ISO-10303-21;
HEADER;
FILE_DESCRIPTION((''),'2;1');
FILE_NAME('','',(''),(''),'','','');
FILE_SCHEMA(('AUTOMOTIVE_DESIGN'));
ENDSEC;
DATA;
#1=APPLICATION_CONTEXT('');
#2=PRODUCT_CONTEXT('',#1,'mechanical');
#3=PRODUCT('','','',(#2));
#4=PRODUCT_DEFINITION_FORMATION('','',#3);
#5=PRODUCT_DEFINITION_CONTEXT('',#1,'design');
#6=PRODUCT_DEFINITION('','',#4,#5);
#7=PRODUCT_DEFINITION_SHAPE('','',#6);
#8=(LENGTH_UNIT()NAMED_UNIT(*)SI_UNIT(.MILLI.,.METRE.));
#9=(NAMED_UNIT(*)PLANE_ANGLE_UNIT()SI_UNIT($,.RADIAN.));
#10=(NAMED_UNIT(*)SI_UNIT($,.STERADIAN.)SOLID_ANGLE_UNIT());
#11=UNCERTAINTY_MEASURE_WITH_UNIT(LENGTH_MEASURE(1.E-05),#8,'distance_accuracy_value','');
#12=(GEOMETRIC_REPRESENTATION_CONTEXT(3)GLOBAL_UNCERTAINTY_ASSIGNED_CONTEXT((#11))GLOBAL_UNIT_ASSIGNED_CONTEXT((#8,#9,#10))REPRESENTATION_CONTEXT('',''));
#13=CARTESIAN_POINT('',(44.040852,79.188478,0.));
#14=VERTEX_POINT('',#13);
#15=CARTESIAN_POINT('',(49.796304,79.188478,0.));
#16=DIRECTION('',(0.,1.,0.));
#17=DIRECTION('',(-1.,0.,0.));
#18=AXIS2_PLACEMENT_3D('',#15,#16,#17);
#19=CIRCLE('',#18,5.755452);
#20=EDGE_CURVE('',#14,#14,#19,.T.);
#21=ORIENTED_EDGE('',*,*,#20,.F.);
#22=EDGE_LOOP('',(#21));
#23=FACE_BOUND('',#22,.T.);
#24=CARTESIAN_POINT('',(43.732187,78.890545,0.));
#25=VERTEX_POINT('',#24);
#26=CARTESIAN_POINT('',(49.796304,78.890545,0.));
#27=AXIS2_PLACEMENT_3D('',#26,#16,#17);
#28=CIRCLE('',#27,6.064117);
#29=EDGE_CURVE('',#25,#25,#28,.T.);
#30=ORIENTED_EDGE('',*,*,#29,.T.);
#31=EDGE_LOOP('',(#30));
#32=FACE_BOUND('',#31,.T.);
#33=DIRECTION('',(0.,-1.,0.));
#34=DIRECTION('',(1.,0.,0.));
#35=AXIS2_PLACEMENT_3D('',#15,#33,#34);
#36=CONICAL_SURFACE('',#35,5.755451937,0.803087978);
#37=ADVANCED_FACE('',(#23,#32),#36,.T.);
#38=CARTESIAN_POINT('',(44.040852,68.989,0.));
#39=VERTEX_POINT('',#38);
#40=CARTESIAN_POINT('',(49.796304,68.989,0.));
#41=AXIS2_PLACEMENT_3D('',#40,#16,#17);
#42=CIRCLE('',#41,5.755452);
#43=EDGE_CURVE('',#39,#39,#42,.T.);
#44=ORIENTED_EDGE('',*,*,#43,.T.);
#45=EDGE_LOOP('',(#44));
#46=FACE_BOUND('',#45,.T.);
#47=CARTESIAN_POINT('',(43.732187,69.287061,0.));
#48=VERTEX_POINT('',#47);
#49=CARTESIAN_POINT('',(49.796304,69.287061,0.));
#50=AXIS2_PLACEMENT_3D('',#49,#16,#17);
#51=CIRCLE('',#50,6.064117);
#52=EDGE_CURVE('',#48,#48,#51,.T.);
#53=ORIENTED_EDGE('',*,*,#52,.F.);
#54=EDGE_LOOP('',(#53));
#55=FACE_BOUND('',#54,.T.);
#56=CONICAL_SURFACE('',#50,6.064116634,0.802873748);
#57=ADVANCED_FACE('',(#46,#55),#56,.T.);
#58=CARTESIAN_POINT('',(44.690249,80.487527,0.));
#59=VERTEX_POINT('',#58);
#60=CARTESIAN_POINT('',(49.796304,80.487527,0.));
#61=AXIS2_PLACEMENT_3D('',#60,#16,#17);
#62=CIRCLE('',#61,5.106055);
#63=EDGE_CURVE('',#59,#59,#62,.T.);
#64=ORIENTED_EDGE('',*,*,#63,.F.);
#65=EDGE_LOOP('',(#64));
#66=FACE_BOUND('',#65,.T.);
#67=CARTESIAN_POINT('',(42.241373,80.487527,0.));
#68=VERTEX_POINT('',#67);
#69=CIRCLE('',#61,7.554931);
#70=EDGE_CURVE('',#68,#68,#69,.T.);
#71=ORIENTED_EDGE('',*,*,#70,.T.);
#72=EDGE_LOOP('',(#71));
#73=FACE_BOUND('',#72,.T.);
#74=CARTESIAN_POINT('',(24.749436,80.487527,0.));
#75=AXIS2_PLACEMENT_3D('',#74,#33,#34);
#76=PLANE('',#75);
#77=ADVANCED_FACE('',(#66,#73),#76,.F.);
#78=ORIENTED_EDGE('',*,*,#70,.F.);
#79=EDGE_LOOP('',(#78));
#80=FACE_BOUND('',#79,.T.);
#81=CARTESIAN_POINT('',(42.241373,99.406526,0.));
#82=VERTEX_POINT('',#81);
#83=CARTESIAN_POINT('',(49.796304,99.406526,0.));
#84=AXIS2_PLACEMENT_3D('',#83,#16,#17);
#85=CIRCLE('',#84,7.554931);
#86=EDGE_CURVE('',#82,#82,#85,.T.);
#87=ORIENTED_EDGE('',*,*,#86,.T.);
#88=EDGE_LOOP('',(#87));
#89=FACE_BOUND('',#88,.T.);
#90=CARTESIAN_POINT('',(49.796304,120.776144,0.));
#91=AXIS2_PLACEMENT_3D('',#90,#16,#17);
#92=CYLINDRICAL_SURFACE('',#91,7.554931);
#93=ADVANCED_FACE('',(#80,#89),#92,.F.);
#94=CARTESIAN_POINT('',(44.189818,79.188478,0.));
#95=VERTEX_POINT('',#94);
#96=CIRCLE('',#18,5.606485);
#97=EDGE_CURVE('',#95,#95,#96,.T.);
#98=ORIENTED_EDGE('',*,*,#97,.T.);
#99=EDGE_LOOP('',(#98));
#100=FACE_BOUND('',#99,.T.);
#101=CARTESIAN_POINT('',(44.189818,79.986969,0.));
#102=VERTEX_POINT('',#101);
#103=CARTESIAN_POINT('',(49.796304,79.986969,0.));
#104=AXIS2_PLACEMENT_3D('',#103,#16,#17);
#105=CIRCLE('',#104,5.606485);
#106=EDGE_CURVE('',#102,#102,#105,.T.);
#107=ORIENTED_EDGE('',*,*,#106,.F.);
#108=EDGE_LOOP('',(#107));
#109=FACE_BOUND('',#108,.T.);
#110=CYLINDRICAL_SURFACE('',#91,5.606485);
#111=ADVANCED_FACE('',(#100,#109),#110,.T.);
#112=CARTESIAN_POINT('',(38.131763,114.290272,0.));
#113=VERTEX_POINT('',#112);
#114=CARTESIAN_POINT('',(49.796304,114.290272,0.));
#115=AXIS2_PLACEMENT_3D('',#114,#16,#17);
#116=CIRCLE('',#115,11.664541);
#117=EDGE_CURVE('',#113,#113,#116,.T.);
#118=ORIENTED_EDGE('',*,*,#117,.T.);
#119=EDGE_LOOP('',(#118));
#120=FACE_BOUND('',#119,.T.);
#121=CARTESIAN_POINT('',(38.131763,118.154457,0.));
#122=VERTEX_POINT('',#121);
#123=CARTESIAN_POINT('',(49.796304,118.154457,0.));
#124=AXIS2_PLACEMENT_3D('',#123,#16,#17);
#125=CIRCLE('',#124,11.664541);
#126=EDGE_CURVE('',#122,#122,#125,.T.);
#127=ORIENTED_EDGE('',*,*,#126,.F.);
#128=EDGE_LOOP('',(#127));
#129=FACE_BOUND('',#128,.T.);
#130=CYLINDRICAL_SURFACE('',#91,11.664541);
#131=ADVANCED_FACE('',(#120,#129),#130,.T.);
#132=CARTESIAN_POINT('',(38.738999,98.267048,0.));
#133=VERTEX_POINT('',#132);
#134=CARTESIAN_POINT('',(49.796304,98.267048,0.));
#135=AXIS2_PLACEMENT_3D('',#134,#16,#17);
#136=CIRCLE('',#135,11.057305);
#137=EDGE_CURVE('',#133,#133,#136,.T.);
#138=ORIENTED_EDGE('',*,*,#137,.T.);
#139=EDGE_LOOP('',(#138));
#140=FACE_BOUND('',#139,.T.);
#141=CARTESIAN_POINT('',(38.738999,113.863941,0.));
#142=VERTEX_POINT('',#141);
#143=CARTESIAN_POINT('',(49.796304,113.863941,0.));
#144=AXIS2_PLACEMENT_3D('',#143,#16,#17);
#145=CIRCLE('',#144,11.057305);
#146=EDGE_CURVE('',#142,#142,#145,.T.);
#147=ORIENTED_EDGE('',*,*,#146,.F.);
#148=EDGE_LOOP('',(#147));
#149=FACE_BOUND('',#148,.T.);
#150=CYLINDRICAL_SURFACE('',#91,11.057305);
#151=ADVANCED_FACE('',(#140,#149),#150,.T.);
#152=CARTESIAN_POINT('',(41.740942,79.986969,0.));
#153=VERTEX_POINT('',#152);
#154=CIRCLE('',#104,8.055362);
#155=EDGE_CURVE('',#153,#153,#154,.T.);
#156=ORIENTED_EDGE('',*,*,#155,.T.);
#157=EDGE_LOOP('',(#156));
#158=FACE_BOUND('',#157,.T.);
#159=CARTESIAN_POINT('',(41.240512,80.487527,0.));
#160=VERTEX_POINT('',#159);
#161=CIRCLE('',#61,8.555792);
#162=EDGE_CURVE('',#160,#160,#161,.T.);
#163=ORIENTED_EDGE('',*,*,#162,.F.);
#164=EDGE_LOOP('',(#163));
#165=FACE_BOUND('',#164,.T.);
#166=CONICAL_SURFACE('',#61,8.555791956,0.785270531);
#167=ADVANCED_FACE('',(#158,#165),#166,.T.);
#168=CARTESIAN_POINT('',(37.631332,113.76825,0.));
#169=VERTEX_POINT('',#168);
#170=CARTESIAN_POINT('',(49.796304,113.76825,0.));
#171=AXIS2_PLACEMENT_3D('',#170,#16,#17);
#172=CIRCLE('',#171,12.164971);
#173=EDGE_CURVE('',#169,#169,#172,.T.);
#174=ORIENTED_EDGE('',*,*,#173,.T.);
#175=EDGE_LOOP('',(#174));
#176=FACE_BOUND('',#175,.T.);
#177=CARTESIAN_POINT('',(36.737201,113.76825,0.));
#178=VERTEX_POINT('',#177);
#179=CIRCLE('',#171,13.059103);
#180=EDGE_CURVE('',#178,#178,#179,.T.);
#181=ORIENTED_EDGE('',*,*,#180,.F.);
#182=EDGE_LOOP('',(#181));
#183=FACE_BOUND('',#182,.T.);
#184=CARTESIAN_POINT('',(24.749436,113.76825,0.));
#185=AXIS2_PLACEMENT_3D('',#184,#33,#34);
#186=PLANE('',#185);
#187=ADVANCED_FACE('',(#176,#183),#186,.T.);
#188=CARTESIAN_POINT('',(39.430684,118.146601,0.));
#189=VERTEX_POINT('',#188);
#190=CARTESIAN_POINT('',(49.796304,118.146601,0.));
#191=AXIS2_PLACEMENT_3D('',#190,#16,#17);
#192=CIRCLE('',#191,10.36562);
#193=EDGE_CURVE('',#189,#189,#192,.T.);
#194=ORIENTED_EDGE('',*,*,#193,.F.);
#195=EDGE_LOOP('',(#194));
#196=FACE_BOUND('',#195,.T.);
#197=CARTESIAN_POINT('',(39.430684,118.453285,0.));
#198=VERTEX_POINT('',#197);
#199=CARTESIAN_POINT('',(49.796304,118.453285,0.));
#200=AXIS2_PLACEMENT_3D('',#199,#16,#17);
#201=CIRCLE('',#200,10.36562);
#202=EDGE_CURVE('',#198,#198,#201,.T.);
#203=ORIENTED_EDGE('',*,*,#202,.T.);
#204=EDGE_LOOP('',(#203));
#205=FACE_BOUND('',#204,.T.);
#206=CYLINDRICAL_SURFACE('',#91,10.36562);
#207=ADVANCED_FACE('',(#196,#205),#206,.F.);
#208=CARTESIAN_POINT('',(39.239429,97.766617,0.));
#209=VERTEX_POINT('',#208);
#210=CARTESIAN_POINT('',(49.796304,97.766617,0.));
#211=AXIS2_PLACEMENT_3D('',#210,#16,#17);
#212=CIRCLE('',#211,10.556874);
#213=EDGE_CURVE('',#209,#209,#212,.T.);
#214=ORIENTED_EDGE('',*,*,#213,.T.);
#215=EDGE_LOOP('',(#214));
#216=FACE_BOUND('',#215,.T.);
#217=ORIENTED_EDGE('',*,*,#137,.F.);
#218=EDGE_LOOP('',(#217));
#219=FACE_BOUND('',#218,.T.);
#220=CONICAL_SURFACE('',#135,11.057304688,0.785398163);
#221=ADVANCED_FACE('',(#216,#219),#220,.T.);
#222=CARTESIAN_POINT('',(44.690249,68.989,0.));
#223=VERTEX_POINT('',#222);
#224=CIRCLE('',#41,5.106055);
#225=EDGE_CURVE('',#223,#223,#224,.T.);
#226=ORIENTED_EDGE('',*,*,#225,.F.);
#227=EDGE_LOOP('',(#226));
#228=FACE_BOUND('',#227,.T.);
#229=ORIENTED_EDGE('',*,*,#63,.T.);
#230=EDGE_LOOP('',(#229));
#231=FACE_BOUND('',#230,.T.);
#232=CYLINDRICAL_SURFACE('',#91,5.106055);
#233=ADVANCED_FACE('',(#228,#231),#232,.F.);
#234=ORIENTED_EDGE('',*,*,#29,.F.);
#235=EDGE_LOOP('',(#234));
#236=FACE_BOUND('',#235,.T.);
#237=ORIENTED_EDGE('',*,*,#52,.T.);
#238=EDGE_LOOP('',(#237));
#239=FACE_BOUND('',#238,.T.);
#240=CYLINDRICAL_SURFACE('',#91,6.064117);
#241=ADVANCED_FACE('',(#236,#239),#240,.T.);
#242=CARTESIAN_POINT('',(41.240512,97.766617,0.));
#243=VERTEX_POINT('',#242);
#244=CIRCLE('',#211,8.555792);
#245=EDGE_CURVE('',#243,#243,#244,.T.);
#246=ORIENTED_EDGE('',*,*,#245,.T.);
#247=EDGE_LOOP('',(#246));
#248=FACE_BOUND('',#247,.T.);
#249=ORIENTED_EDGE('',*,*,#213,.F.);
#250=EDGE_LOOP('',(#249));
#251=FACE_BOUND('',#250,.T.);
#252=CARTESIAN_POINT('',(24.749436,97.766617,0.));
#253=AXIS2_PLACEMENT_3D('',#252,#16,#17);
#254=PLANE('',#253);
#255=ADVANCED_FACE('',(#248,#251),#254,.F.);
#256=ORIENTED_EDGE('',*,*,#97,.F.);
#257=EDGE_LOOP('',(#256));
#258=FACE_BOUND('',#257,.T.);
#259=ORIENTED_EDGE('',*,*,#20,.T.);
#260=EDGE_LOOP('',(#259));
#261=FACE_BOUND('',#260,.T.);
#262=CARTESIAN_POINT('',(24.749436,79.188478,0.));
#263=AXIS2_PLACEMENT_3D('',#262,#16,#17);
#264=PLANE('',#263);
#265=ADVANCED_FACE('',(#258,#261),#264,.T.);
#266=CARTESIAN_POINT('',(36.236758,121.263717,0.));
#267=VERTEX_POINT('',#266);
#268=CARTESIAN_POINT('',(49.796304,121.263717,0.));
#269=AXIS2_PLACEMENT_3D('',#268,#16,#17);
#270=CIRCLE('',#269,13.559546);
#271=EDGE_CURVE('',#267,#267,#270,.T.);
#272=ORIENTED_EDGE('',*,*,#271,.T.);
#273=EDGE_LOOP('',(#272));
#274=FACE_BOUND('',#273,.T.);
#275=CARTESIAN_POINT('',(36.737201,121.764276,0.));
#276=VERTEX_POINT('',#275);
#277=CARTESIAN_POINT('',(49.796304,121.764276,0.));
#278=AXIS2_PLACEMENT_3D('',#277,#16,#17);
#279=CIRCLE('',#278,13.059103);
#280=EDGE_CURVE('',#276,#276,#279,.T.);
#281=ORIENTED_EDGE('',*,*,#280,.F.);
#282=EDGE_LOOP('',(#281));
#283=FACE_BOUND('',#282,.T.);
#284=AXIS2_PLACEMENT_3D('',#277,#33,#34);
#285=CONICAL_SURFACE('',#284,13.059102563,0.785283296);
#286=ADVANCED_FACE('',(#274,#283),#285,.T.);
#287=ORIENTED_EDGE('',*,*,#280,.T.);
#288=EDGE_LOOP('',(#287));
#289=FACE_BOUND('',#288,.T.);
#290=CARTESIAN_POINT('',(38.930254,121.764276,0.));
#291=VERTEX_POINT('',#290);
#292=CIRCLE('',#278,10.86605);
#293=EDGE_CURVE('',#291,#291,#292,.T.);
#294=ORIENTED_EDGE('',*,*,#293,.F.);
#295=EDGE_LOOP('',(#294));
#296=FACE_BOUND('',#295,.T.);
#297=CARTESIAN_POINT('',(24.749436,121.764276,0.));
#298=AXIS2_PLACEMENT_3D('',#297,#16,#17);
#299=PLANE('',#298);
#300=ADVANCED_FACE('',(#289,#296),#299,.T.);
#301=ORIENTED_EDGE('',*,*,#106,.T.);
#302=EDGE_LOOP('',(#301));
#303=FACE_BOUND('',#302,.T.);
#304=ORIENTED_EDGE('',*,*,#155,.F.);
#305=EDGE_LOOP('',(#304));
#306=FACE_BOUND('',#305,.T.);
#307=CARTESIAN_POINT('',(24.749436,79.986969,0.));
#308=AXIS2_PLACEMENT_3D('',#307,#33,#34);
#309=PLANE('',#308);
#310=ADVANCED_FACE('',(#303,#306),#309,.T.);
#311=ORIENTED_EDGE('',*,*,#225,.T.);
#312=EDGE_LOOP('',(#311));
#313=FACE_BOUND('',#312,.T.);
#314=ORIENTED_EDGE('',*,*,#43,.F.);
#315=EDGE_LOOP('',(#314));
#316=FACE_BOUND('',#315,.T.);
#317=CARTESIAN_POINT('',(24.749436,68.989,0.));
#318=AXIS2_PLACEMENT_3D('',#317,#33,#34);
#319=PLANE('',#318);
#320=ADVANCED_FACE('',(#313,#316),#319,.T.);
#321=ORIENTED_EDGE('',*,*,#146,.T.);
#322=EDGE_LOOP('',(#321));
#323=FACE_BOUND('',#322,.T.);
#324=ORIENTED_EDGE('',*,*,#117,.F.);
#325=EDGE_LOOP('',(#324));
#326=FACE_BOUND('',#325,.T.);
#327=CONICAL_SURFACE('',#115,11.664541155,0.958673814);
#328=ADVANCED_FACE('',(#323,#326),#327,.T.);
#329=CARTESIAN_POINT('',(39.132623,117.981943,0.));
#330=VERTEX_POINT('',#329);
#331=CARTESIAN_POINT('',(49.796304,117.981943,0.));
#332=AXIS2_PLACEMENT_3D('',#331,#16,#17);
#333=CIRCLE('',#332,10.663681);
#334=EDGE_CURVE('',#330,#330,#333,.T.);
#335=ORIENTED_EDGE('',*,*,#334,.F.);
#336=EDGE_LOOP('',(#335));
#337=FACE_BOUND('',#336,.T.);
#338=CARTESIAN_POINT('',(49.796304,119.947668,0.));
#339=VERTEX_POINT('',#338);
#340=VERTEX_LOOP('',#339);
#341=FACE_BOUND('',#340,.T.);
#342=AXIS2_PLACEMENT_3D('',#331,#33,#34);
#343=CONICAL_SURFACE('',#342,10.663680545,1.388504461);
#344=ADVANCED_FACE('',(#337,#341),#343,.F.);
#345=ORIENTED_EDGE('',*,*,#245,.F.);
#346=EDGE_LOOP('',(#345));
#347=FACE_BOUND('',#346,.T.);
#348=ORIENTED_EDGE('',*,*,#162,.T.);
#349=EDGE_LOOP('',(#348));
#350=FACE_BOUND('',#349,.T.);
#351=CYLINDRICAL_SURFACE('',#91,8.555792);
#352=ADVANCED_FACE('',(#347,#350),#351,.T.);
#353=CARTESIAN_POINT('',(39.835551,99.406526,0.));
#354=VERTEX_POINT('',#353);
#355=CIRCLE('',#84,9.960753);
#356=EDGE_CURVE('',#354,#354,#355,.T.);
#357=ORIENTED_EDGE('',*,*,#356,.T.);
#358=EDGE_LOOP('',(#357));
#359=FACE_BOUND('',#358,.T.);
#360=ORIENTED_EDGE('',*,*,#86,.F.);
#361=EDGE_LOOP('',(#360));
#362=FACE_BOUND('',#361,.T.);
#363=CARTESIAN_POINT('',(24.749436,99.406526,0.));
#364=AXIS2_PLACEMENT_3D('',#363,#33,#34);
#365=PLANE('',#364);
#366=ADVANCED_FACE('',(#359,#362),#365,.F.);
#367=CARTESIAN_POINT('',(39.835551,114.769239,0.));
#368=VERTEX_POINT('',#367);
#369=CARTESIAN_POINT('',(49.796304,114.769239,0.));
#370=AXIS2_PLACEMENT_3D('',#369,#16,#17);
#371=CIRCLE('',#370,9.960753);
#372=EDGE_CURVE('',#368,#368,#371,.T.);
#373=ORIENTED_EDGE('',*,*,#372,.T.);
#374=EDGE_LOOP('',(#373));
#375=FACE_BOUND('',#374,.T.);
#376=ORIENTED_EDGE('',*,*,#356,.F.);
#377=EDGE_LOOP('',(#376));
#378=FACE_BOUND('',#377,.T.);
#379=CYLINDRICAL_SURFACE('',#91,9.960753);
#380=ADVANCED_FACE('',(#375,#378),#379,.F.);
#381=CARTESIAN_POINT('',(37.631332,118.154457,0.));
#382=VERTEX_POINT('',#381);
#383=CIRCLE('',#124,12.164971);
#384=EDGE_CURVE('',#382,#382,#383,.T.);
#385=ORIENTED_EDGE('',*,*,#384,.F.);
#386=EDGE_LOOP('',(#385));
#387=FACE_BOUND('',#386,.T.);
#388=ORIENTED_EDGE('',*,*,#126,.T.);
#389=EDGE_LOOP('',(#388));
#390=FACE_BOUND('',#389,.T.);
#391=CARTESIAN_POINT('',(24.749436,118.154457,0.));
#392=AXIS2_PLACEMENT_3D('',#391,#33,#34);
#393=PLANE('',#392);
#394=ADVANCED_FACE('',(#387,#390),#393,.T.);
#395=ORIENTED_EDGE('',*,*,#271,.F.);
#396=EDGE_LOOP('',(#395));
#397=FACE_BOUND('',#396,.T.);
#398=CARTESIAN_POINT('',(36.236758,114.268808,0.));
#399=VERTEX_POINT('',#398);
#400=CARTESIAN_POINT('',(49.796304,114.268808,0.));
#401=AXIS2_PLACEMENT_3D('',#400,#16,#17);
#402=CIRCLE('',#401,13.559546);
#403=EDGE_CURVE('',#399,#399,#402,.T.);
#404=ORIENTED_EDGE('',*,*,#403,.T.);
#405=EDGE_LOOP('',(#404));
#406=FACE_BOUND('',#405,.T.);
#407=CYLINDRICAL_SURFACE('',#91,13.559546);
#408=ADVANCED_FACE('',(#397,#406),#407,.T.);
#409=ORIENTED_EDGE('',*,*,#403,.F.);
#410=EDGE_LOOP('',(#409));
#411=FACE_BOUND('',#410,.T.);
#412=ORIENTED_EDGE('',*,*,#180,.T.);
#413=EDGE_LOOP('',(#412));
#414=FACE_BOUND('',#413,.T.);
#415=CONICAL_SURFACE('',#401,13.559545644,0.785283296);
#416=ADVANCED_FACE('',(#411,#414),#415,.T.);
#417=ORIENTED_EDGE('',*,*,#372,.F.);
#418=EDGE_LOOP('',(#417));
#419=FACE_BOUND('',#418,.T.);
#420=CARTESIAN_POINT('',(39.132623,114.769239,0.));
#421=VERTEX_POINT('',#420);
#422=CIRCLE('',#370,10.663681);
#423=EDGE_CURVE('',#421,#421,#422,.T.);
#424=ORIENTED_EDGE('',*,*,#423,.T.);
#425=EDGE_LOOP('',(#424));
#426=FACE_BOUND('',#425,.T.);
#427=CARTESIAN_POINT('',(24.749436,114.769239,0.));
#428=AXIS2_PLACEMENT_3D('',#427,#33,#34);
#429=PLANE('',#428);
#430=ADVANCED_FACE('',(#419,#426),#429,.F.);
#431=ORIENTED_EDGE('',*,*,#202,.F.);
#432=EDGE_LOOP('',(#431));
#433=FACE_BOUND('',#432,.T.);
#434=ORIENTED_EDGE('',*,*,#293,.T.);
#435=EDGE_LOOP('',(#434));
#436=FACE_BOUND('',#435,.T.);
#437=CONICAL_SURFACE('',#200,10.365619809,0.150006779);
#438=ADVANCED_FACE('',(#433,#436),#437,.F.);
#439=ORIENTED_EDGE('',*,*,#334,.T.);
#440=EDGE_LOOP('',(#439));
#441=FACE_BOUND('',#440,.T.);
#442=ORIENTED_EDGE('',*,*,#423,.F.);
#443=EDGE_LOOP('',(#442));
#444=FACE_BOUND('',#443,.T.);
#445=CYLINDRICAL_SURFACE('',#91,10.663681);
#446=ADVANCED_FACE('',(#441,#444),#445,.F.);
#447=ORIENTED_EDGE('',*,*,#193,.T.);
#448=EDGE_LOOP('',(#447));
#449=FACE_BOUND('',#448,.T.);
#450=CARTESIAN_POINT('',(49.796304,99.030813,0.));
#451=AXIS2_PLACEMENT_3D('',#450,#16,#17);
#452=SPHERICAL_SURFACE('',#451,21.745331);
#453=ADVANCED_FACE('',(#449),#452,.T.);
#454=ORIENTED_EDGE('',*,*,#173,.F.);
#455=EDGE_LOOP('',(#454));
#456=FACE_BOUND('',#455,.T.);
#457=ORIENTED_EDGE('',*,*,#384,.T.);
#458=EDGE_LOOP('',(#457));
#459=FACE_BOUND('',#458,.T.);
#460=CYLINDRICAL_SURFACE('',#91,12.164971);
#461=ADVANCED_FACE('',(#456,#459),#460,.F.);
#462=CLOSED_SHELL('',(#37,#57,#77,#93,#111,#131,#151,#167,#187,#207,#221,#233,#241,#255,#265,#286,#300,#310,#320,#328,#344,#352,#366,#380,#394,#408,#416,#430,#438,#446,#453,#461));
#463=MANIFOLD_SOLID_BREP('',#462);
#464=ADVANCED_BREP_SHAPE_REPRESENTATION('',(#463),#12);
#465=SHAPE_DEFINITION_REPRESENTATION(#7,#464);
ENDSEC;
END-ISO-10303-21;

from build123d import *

# Parameters (mm, degrees)
SCALE1_SCALE = 0.502986482


with BuildPart() as part:
    # Model → Revolve1 (revolve)
    with BuildSketch(Plane.XY):
        with BuildLine():
            Line((28.595574, 124.840746), (28.595574, 131.228004974))
            ThreePointArc((28.595574, 131.228004974), (28.89122421, 131.392844904), (29.188156, 131.555364935))
            Line((29.188156, 131.555364935), (29.188156, 132.16509))
            Line((29.188156, 132.16509), (28.193238, 138.747754))
            Line((28.193238, 138.747754), (23.8331756, 138.747754))
            Line((23.8331756, 138.747754), (22.8382322, 137.752582))
            Line((22.8382322, 137.752582), (22.8382322, 123.845828))
            Line((22.8382322, 123.845828), (23.8331756, 122.850656))
            Line((23.8331756, 122.850656), (25.61082, 122.850656))
            Line((25.61082, 122.850656), (25.61082, 131.570984))
            Line((25.61082, 131.570984), (26.605738, 131.570984))
            Line((26.605738, 131.570984), (26.605738, 123.8885))
            Line((26.605738, 123.8885), (27.813, 123.040902))
            Line((27.813, 123.040902), (27.813, 92.032328))
            Line((27.813, 92.032328), (28.807918, 91.03741))
            Line((28.807918, 91.03741), (32.78632, 91.03741))
            Line((32.78632, 91.03741), (32.78632, 56.684418))
            Line((32.78632, 56.684418), (33.781238, 55.689246))
            Line((33.781238, 55.689246), (38.64991, 55.689246))
            Line((38.64991, 55.689246), (38.64991, 54.101746))
            Line((38.64991, 54.101746), (38.353746, 54.101746))
            Line((38.353746, 54.101746), (37.740082, 53.509418))
            Line((37.740082, 53.509418), (37.740082, 34.416492))
            Line((37.740082, 34.416492), (38.353746, 33.82391))
            Line((38.353746, 33.82391), (39.644828, 33.82391))
            Line((39.644828, 33.82391), (39.644828, 56.684418))
            Line((39.644828, 56.684418), (34.776156, 56.684418))
            Line((34.776156, 56.684418), (34.776156, 94.297754))
            Line((34.776156, 94.297754), (29.993082, 94.297754))
            Line((29.993082, 94.297754), (29.993082, 124.840746))
            Line((29.993082, 124.840746), (28.595574, 124.840746))
        make_face()
    revolve(axis=Axis((49.796303883, 136.783225344, 0), (0, -1, 0)))

    # Model<3> → Revolve2 (revolve)
    with BuildSketch(Plane.XY):
        with BuildLine():
            ThreePointArc((29.188156, 131.555364935), (28.89122421, 131.392844904), (28.595574, 131.228004974))
            Line((28.595574, 131.228004974), (49.796303883, 135.136111003))
            Line((49.796303883, 135.136111003), (49.796303883, 136.783225344))
            ThreePointArc((49.796303883, 136.783225344), (39.165849005, 135.455883929), (29.188156, 131.555364935))
        make_face()
    revolve(axis=Axis((49.796303883, 136.783225344, 0), (0, -1, 0)))


with BuildPart() as part_1:
    # Scale1: scaled about (49.796303883, 104.576694566, 0)
    add(part.part.scale(SCALE1_SCALE).moved(Location((24.749436164, 51.976030842, 0))))


solid = part_1.part
